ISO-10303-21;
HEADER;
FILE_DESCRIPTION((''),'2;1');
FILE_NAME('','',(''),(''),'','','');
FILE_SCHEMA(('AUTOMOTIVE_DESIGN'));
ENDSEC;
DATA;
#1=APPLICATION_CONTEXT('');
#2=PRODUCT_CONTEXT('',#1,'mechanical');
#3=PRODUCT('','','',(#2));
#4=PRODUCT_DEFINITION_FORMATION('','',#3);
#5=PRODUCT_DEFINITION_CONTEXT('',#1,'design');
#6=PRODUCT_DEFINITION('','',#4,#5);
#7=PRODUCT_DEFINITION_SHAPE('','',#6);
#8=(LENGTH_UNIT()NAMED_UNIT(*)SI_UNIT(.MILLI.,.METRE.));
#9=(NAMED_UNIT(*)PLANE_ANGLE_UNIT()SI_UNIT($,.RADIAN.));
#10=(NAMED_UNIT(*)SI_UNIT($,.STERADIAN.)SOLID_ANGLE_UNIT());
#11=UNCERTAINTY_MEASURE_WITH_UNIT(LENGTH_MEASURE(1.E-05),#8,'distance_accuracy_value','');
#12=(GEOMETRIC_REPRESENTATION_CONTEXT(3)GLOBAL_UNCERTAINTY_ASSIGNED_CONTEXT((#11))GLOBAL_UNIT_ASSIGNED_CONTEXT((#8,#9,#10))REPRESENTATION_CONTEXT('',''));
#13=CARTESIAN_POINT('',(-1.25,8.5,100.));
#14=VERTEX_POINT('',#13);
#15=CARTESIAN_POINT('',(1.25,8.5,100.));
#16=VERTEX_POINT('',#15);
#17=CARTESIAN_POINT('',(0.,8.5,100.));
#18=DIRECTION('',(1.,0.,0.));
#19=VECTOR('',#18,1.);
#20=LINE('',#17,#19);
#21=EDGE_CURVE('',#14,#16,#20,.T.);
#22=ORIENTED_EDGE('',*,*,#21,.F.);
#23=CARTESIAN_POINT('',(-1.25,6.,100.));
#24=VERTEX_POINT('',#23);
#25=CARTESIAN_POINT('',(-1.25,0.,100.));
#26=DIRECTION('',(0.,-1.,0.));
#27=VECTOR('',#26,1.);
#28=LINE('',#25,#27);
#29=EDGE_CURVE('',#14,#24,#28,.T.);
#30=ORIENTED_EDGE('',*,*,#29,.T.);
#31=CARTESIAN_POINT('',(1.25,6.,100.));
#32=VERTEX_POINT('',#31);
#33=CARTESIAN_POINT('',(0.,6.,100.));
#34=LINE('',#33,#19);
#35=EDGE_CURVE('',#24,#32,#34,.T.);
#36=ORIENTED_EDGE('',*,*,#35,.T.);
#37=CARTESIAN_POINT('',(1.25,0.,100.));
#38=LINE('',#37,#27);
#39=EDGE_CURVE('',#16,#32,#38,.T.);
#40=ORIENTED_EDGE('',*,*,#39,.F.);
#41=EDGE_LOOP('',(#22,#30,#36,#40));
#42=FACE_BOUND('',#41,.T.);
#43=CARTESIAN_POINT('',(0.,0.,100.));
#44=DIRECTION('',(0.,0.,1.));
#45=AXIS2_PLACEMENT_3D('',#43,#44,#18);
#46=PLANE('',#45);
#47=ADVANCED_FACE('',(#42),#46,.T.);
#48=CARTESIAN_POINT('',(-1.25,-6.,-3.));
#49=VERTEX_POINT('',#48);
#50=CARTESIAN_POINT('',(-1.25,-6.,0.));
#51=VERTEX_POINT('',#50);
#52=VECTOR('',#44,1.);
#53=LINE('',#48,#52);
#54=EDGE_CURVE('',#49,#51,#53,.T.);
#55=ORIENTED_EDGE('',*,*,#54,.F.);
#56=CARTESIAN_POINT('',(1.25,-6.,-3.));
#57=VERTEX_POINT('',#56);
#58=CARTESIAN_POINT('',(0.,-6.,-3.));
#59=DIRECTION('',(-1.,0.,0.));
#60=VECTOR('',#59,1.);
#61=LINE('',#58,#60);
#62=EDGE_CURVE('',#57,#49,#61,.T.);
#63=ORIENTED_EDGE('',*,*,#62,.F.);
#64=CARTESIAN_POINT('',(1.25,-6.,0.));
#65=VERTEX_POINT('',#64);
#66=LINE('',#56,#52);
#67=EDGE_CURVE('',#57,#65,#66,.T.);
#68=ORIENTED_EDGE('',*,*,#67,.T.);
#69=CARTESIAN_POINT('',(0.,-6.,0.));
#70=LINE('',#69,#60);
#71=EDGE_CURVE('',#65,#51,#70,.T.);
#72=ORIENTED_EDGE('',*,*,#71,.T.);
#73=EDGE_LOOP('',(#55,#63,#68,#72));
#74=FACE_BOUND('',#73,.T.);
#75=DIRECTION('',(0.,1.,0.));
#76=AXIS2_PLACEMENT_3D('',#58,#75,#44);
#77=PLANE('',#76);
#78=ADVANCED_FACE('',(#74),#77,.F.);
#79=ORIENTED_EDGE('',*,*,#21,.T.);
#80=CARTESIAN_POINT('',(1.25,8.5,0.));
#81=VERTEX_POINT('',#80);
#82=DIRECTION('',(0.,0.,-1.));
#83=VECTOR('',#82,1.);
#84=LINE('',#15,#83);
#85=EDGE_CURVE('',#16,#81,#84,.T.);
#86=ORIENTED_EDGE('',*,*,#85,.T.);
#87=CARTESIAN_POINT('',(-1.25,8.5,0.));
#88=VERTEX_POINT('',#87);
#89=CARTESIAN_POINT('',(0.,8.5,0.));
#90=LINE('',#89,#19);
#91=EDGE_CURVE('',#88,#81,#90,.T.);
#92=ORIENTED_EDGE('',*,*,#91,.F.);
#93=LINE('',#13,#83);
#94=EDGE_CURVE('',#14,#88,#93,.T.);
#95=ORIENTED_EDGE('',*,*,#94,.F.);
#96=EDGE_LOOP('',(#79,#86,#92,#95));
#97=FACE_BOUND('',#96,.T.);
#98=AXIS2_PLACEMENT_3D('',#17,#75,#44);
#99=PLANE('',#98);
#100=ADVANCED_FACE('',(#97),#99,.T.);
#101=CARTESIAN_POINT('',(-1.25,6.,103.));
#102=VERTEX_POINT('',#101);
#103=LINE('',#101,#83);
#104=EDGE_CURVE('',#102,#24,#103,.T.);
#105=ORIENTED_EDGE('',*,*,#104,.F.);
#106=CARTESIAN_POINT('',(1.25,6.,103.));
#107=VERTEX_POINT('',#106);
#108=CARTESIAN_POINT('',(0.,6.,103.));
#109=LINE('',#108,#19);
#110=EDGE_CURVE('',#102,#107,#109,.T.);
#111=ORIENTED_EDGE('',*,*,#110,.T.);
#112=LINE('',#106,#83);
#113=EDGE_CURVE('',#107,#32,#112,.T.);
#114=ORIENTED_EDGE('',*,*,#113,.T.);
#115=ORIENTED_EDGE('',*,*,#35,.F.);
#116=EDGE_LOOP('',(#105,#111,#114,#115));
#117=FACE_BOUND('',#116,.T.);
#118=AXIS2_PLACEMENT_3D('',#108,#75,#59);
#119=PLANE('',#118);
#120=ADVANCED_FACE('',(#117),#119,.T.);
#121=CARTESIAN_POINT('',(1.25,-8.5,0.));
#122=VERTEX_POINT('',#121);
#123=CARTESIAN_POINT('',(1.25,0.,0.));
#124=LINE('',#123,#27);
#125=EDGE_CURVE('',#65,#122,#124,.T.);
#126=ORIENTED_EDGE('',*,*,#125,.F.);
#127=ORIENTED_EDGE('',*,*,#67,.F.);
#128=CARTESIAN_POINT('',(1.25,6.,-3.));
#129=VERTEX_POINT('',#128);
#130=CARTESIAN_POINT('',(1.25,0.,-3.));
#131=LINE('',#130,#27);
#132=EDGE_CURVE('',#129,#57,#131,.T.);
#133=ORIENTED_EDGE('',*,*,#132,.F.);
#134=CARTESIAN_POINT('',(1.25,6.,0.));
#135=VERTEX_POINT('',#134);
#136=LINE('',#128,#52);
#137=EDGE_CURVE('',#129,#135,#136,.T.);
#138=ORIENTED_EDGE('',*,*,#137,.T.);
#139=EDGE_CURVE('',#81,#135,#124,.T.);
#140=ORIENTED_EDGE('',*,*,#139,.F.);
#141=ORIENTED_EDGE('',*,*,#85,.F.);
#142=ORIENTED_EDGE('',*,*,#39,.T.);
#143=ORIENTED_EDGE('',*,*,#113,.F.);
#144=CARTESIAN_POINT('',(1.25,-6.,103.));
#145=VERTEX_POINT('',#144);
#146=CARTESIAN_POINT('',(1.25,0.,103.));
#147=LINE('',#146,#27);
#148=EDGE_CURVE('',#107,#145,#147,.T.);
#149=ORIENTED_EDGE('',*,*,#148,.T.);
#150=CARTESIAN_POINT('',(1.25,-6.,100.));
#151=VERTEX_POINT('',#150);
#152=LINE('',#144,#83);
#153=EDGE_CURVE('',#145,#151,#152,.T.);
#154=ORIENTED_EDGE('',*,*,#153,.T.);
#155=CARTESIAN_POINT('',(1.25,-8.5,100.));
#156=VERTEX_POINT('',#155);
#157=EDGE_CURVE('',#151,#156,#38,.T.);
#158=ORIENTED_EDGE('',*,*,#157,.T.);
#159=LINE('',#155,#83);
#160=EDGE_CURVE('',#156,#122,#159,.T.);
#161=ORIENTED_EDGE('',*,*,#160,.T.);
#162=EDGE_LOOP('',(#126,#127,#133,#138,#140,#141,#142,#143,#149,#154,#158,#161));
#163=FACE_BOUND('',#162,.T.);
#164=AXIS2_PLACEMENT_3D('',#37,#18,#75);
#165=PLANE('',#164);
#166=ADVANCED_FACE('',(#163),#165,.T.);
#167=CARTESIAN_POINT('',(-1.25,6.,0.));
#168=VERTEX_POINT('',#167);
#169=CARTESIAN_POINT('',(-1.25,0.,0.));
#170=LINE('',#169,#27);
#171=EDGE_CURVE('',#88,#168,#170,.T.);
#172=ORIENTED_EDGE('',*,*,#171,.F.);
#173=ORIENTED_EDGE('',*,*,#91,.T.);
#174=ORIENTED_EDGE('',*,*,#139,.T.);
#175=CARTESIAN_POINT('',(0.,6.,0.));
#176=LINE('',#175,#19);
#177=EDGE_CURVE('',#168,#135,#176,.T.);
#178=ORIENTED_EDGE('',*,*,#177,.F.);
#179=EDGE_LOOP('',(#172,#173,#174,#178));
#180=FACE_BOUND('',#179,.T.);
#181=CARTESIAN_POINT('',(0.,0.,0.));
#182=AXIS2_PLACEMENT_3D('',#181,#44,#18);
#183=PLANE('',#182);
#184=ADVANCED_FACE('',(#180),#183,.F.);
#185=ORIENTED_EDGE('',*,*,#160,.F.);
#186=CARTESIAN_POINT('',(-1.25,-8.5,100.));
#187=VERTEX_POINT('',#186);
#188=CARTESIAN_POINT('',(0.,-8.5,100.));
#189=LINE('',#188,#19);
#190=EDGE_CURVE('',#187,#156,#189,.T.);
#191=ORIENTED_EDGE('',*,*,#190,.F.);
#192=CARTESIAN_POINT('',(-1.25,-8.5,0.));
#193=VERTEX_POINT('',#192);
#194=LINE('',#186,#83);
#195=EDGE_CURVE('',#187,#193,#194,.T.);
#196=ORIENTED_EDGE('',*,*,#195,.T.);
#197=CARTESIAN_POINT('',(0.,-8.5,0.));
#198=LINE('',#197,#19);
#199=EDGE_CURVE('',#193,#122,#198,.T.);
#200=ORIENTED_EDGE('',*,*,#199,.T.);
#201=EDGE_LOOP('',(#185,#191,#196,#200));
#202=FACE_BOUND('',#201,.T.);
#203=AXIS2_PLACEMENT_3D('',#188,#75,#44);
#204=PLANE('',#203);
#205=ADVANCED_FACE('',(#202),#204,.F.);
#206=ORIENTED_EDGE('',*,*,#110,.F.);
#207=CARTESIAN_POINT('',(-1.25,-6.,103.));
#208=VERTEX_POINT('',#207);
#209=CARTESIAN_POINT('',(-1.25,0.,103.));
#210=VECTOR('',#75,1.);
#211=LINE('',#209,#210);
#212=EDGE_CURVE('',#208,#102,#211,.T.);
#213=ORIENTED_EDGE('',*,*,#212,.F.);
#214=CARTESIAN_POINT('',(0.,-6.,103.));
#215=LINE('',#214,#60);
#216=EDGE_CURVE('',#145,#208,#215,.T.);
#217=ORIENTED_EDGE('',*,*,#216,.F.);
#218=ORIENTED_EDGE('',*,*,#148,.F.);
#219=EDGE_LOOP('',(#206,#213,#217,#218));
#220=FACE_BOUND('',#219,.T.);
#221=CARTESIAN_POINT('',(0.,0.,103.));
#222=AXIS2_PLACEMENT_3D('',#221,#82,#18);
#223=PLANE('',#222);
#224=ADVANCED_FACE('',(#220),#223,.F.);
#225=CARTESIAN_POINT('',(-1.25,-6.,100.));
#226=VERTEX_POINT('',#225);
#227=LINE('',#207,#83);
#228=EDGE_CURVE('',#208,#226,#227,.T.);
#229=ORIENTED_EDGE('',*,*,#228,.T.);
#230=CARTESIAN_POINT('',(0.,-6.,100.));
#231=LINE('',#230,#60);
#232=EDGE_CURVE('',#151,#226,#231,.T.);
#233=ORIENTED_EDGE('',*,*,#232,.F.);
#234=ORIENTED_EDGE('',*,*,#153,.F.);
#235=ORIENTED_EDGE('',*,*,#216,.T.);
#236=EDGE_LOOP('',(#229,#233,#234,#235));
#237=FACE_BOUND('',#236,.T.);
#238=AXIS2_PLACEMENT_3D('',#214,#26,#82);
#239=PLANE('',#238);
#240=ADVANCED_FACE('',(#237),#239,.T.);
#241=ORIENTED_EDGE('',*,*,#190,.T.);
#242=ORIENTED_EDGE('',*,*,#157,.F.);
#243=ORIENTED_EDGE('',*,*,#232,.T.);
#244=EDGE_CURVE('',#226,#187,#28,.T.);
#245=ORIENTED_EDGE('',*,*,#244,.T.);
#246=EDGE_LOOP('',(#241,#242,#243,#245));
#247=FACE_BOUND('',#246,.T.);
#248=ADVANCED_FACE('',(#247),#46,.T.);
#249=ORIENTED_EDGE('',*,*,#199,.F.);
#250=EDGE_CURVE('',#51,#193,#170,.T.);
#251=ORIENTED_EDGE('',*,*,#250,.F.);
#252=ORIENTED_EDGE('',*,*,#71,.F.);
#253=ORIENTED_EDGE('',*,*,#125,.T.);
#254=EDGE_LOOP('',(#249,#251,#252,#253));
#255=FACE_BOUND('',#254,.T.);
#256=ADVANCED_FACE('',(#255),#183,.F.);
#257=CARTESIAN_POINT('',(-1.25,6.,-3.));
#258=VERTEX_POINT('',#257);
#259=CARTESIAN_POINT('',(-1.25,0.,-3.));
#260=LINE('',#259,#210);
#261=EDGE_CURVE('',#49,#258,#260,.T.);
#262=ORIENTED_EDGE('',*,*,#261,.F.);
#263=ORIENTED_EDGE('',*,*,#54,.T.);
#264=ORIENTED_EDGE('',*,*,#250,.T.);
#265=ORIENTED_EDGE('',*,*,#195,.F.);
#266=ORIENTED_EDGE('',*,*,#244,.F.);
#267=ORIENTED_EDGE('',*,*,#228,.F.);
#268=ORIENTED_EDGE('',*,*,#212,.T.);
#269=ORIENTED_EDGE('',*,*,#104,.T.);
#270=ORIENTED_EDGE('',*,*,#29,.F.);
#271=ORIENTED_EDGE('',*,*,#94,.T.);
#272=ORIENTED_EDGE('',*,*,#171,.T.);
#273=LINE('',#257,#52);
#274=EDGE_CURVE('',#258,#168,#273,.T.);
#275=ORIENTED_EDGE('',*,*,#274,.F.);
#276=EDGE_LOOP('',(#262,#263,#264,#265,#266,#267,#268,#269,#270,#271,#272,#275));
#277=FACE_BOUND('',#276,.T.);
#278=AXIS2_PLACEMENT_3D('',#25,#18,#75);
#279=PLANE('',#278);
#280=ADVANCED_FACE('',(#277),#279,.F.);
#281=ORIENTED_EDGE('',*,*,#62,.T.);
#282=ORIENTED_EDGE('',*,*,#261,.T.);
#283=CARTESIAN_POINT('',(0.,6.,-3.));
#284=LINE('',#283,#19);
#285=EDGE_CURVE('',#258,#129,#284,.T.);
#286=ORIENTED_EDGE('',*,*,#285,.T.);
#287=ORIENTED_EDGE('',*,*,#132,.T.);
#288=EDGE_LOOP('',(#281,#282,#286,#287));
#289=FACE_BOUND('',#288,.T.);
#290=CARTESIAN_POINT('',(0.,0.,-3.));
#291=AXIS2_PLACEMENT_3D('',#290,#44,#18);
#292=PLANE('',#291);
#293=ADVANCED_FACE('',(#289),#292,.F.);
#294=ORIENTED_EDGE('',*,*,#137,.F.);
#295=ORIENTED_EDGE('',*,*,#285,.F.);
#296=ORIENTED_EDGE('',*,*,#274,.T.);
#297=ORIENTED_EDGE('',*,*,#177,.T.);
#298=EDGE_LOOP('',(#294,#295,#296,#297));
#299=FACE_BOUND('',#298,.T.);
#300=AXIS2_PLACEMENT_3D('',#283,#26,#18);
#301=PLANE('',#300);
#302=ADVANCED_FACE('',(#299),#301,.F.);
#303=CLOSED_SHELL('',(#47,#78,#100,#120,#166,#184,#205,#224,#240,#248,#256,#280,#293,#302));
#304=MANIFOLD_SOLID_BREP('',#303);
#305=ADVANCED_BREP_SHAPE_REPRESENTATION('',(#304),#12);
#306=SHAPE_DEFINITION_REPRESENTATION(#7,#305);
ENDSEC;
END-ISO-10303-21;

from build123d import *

# Parameters (mm, degrees)
SKETCH1_W           = 2.5
SKETCH1_H           = 17
BOSS_EXTRUDE1_DEPTH = 100
SKETCH1_3_W         = 2.5
SKETCH1_3_H         = 12
BOSS_EXTRUDE2_DEPTH = 3


with BuildPart() as part:
    # Sketch1 → Boss-Extrude1 (new body)
    with BuildSketch(Plane.XY):
        Rectangle(SKETCH1_W, SKETCH1_H)
    extrude(amount=BOSS_EXTRUDE1_DEPTH)

    # Sketch1<3> → Boss-Extrude2 (add)
    with BuildSketch(Plane.XY):
        Rectangle(SKETCH1_3_W, SKETCH1_3_H)
    boss_extrude2 = extrude(amount=-BOSS_EXTRUDE2_DEPTH)

    # Mirror1: Boss-Extrude2 across plane
    add(boss_extrude2.mirror(Plane(origin=(0, 0, 50), x_dir=(1, 0, 0), z_dir=(0, 0, -1))))


solid = part.part
